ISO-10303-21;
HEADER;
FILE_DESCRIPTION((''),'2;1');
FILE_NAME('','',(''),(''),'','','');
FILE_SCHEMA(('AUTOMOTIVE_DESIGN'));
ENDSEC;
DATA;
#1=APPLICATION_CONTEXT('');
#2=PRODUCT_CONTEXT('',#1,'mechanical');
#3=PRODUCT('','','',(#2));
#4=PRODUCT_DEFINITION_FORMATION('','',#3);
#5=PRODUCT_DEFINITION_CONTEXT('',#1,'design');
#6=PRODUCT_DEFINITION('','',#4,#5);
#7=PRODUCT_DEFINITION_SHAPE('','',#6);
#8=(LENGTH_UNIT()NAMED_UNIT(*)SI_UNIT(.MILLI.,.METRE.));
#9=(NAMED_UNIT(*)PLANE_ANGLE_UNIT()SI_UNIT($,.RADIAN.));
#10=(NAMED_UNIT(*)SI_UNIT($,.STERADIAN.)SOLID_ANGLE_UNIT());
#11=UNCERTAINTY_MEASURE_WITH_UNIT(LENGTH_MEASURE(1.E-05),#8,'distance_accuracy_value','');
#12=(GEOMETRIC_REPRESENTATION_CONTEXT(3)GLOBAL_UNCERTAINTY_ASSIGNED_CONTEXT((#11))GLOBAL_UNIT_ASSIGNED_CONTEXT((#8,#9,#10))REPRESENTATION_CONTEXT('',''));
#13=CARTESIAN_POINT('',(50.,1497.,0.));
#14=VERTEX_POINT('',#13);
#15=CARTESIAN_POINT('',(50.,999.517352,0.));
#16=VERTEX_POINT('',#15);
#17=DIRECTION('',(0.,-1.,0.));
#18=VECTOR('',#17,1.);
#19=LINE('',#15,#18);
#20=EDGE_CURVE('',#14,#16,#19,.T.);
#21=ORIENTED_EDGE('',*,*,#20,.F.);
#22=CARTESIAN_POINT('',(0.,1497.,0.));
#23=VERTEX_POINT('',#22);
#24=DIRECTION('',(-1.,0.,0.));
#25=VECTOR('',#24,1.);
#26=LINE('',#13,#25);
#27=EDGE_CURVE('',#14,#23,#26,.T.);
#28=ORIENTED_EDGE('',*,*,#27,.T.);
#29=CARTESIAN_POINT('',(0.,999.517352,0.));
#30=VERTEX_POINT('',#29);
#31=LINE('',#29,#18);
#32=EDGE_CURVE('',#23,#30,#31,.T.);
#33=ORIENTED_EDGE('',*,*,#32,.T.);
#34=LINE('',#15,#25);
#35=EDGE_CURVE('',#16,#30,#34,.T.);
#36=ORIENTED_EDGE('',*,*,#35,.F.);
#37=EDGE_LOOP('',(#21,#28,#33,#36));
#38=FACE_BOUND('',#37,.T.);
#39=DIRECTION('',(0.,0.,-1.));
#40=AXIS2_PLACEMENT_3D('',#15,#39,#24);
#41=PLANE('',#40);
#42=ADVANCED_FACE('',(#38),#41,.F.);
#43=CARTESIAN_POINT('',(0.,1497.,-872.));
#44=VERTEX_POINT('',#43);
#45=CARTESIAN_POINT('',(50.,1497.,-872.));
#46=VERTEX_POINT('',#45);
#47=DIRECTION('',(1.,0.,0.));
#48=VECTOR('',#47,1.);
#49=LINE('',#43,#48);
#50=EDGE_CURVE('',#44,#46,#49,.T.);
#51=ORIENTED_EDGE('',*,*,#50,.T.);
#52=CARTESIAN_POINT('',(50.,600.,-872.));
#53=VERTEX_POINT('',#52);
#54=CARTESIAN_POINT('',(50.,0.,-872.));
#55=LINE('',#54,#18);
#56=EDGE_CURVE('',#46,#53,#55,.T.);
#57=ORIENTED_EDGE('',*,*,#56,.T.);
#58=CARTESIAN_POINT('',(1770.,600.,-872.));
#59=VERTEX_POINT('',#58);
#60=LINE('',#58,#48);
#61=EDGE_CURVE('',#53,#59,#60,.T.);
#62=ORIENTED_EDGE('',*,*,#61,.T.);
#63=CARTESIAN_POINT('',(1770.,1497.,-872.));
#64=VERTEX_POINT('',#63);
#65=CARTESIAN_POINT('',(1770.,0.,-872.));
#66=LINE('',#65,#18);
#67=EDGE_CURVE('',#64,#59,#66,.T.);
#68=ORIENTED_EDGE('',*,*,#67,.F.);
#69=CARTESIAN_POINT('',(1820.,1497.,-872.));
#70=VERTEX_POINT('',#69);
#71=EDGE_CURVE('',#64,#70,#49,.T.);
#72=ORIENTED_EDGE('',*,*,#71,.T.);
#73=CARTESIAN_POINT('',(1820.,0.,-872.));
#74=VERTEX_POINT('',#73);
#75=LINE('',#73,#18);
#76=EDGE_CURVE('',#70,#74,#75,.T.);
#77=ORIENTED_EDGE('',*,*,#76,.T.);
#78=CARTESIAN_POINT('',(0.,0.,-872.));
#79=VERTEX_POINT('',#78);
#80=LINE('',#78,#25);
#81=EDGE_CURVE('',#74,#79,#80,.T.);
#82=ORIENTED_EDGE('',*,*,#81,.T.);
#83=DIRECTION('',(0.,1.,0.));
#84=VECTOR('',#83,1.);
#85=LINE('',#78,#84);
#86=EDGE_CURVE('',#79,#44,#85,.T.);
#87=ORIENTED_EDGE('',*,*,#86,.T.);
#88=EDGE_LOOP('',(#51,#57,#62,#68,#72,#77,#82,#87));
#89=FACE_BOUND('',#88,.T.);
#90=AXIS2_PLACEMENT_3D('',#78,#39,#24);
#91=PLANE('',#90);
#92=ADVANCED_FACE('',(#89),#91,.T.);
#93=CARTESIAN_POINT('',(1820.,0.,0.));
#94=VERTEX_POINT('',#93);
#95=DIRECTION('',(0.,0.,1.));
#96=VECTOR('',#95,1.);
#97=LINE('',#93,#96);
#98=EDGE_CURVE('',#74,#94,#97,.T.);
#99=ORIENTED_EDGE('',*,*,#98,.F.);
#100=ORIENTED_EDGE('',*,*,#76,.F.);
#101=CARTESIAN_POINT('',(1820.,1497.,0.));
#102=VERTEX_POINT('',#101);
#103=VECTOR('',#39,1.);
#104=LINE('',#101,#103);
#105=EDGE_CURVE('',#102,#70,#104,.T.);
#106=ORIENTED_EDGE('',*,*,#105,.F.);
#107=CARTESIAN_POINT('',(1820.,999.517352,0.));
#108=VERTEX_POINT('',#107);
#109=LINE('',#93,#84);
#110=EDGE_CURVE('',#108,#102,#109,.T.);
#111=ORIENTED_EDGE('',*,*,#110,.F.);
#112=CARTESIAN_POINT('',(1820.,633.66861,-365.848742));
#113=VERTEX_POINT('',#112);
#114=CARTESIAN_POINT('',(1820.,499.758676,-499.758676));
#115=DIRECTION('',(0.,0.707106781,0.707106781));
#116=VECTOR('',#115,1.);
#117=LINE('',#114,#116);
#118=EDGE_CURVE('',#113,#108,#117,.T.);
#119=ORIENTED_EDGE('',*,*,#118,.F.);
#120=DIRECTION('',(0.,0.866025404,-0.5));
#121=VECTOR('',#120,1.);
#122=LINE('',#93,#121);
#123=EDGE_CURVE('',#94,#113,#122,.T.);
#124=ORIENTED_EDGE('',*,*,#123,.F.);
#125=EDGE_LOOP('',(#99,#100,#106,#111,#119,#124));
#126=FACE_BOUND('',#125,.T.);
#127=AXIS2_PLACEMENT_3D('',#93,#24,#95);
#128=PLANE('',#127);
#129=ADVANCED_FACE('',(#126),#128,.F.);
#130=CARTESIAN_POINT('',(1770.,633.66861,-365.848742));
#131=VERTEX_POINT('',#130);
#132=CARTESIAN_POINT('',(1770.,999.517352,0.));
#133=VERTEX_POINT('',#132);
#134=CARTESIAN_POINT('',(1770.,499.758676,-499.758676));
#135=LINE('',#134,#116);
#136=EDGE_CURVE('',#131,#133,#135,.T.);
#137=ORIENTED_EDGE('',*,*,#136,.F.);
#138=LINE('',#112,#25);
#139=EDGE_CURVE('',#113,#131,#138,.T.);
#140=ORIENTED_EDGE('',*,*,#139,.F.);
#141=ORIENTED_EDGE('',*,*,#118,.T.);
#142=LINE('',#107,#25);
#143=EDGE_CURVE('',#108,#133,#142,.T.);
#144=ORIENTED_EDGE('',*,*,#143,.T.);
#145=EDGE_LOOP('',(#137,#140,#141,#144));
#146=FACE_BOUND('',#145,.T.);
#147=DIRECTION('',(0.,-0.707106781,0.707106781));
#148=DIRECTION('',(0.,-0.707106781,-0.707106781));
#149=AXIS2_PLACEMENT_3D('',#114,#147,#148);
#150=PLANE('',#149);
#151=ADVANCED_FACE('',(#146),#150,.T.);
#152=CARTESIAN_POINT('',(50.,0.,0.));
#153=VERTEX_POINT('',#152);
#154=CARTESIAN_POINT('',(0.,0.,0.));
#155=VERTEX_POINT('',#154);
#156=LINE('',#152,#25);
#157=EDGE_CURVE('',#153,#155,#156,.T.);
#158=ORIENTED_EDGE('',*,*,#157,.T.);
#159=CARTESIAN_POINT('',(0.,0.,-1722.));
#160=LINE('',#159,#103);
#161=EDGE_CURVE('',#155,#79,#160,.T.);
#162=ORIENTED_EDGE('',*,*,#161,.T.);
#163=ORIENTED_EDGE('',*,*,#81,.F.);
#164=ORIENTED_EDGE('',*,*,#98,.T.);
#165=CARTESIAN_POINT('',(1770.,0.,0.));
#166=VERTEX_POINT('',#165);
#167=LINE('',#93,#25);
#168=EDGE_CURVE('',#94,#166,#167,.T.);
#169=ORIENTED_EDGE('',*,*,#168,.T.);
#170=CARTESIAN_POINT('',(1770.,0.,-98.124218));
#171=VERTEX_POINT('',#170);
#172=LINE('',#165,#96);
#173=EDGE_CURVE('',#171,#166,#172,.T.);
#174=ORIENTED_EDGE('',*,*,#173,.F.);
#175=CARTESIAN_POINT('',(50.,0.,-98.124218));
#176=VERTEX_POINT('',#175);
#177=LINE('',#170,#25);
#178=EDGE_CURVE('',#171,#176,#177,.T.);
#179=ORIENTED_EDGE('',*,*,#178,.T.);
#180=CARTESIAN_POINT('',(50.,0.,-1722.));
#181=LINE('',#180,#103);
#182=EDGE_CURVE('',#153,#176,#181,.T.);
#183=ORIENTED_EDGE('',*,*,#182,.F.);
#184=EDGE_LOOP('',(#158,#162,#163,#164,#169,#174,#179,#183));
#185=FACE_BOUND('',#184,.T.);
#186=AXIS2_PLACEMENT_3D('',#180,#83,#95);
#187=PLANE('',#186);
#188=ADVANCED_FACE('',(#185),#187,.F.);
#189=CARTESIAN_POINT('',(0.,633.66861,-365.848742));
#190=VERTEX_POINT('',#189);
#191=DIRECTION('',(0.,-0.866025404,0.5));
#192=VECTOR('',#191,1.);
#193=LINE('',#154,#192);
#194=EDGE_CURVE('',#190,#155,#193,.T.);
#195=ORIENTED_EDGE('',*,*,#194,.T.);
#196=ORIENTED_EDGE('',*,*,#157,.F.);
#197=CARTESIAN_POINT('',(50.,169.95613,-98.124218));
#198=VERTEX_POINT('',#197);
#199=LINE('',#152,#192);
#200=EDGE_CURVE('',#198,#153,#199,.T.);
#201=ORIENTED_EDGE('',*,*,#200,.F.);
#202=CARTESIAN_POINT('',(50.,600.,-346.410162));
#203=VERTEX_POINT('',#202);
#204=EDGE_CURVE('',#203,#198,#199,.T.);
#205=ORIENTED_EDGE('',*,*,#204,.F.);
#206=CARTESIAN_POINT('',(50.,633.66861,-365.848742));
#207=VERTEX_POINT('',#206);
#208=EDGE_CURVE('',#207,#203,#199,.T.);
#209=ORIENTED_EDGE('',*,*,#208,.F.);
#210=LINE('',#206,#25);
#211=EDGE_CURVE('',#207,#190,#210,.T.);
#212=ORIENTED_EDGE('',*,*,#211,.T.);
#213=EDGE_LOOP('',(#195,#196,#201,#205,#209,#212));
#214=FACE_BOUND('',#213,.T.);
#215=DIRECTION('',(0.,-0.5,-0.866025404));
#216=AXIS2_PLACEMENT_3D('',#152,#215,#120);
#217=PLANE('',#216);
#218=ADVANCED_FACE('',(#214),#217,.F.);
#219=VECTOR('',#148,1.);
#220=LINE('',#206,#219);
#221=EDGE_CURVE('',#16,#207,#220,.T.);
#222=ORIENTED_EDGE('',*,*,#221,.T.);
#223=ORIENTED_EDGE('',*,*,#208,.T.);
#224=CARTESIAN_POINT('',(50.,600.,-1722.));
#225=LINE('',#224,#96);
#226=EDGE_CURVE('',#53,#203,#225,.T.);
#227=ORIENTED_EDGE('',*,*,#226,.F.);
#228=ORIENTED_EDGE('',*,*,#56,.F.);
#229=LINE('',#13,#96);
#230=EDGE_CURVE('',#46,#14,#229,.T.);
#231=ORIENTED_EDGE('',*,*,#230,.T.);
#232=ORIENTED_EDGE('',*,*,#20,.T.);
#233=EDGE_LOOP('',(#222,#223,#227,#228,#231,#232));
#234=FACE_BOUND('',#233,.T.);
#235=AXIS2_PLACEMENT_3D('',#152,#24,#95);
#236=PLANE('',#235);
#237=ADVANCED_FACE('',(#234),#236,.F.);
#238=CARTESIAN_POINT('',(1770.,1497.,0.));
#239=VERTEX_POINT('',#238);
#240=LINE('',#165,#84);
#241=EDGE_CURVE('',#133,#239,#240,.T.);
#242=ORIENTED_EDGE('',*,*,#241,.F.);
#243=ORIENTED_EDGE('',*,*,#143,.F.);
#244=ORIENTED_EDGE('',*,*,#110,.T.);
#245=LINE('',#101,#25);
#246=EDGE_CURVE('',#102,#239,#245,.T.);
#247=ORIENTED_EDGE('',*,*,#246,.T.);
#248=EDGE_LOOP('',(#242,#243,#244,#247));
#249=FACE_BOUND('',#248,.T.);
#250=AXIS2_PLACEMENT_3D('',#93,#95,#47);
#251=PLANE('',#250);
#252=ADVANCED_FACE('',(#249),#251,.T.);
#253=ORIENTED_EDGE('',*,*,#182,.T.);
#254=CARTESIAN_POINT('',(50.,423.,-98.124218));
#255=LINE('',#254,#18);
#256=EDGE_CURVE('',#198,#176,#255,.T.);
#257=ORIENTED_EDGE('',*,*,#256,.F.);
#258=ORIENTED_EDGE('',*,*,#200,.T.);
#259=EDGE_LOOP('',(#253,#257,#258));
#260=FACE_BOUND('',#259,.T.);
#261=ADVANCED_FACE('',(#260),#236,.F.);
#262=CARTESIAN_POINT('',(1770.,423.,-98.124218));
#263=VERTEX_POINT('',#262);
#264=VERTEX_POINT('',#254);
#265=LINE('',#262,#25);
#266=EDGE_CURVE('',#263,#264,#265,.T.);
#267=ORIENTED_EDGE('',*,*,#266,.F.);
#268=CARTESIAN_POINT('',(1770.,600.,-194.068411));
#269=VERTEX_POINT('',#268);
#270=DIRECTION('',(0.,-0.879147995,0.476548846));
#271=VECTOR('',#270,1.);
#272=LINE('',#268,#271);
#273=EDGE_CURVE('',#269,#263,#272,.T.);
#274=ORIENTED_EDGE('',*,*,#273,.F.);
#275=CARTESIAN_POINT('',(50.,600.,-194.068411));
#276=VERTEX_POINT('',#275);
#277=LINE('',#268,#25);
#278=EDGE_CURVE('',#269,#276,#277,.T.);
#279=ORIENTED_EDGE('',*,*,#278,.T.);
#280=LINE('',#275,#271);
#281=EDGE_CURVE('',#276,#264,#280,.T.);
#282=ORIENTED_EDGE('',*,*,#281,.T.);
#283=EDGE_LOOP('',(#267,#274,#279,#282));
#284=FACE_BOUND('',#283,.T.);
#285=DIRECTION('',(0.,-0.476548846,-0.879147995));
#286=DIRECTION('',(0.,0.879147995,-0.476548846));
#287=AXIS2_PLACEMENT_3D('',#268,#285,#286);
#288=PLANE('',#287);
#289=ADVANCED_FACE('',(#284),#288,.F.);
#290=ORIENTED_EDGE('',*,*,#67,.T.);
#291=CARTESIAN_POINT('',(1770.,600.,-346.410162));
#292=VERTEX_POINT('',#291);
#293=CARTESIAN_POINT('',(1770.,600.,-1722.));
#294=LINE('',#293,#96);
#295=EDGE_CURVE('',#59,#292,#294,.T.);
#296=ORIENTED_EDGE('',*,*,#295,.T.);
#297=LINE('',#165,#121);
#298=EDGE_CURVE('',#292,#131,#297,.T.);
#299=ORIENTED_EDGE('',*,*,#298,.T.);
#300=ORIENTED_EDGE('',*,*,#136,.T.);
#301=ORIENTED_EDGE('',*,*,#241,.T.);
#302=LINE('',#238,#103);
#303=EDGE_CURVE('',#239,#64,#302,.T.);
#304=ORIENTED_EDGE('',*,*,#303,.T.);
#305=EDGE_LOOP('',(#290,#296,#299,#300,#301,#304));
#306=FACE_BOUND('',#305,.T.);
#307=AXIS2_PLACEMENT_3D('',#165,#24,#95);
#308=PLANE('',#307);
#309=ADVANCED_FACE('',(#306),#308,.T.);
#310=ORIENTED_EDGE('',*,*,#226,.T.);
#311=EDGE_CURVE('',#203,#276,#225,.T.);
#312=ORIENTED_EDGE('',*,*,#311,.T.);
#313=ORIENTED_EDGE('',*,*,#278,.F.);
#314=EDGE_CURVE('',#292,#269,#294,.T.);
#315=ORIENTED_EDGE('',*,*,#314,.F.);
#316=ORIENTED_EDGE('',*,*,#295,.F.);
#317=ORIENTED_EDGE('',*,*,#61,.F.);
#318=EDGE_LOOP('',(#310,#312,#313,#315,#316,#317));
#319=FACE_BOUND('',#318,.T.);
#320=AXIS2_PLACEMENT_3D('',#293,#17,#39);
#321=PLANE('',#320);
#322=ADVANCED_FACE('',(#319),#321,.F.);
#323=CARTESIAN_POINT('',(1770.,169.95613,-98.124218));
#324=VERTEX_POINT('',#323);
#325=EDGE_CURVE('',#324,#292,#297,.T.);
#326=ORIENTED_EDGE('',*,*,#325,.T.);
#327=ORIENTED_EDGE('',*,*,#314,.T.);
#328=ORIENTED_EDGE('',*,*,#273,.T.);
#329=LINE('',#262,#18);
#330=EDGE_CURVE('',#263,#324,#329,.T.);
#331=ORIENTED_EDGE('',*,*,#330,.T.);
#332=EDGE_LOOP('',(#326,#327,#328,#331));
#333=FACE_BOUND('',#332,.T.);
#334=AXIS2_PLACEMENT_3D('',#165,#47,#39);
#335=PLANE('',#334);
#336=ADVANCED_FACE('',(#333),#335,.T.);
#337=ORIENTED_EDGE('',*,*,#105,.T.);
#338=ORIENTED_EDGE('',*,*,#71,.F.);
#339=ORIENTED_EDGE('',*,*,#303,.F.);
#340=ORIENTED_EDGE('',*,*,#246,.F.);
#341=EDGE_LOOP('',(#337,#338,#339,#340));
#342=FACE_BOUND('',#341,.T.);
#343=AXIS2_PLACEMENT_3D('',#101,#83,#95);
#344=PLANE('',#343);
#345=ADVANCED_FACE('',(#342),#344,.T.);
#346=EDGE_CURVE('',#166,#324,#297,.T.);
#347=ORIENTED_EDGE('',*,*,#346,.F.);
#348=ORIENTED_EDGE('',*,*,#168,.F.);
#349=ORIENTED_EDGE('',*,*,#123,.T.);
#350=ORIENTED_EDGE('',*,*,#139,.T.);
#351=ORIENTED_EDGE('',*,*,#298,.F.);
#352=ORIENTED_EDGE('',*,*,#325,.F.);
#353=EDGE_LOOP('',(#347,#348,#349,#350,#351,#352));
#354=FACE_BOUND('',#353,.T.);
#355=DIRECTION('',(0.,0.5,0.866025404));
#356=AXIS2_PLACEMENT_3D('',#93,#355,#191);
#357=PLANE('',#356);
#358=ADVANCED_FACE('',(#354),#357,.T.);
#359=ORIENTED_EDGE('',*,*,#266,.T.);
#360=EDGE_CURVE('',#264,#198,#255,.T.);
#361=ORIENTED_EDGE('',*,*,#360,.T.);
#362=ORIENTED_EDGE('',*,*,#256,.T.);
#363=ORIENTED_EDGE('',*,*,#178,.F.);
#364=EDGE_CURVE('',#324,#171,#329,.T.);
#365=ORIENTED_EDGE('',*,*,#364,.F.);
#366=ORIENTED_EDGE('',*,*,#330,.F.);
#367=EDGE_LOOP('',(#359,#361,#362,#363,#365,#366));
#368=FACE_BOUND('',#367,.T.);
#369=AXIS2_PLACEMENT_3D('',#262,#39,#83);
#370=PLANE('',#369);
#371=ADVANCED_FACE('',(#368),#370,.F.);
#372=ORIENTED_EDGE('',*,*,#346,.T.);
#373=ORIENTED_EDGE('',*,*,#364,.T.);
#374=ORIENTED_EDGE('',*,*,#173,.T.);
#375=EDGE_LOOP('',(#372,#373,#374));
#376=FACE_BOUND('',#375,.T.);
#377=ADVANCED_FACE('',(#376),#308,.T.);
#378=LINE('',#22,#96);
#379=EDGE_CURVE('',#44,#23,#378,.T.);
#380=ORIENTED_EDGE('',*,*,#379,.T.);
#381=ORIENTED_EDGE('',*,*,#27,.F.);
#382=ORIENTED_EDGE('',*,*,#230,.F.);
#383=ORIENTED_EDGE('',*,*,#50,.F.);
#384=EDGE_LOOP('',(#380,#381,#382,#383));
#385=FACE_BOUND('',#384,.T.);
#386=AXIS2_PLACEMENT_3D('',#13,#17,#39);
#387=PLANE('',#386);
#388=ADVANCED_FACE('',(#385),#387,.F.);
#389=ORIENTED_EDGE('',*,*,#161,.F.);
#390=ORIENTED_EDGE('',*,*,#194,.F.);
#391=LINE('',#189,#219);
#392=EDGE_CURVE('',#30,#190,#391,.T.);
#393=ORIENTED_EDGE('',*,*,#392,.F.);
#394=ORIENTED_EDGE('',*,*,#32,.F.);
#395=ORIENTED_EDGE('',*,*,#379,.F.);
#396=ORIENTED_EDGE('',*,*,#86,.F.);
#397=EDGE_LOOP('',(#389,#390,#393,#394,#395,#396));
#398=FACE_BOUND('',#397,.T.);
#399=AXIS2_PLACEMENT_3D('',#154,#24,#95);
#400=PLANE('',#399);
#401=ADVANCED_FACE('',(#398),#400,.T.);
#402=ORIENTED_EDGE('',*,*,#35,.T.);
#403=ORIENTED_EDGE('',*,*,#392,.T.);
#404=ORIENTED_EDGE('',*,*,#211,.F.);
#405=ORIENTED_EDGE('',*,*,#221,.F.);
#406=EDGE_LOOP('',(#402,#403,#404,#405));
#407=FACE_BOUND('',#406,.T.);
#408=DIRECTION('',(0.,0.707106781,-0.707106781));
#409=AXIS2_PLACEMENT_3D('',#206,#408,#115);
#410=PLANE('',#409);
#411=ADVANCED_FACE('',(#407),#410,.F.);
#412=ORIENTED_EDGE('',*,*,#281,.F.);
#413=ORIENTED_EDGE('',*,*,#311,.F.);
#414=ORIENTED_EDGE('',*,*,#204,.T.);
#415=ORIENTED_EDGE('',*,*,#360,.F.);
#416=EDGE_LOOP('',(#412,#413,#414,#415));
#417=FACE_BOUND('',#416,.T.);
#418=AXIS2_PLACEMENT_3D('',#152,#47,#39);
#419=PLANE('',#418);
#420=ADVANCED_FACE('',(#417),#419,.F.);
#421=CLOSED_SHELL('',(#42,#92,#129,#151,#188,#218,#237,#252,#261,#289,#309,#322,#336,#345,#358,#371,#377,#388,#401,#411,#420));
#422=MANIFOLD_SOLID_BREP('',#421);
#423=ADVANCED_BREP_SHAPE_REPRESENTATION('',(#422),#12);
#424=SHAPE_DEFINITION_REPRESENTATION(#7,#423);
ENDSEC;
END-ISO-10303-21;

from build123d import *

# Parameters (mm, degrees)
EXTRUDE_1_DEPTH     = 50
EXTRUDE_2_DEPTH     = 1720
EXTRUDE_START       = 1770
EXTRUDE_3_DEPTH     = 50
SKETCH_3_W          = 1820
SKETCH_3_H          = 1497
CUT_EXTRUDE_1_DEPTH = 850


with BuildPart() as part:
    # 草图1 → 凸台-拉伸1 (new body)
    with BuildSketch(Plane(origin=(0, 0, 0), x_dir=(0, 0, -1), z_dir=(1, 0, 0))):
        Polygon((0, 0), (365.848742481, 633.668609863), (0, 999.517352344), (0, 1497), (1722, 1497), (1722, 0), align=None)
    extrude(amount=EXTRUDE_1_DEPTH)

    # 草图2 → 凸台-拉伸2 (add)
    with BuildSketch(Plane(origin=(50, 0, 0), x_dir=(0, 0, -1), z_dir=(1, 0, 0))):
        Polygon((1722, 600), (194.068411452, 600), (98.124217521, 423), (98.124217521, 0), (1722, 0), align=None)
    extrude(amount=EXTRUDE_2_DEPTH)

    # 草图1<2> → 凸台-拉伸3 (add)
    with BuildSketch(Plane(origin=(0, 0, 0), x_dir=(0, 0, -1), z_dir=(1, 0, 0)).offset(EXTRUDE_START)):
        Polygon((0, 0), (365.848742481, 633.668609863), (0, 999.517352344), (0, 1497), (1722, 1497), (1722, 0), align=None)
    extrude(amount=EXTRUDE_3_DEPTH)

    # 草图3 → 切除-拉伸1 (cut)
    with BuildSketch(Plane(origin=(0, 0, -1722), x_dir=(-1, 0, 0), z_dir=(0, 0, -1))):
        with Locations((-910, 748.5)):
            Rectangle(SKETCH_3_W, SKETCH_3_H)
    extrude(amount=-CUT_EXTRUDE_1_DEPTH, mode=Mode.SUBTRACT)


solid = part.part
